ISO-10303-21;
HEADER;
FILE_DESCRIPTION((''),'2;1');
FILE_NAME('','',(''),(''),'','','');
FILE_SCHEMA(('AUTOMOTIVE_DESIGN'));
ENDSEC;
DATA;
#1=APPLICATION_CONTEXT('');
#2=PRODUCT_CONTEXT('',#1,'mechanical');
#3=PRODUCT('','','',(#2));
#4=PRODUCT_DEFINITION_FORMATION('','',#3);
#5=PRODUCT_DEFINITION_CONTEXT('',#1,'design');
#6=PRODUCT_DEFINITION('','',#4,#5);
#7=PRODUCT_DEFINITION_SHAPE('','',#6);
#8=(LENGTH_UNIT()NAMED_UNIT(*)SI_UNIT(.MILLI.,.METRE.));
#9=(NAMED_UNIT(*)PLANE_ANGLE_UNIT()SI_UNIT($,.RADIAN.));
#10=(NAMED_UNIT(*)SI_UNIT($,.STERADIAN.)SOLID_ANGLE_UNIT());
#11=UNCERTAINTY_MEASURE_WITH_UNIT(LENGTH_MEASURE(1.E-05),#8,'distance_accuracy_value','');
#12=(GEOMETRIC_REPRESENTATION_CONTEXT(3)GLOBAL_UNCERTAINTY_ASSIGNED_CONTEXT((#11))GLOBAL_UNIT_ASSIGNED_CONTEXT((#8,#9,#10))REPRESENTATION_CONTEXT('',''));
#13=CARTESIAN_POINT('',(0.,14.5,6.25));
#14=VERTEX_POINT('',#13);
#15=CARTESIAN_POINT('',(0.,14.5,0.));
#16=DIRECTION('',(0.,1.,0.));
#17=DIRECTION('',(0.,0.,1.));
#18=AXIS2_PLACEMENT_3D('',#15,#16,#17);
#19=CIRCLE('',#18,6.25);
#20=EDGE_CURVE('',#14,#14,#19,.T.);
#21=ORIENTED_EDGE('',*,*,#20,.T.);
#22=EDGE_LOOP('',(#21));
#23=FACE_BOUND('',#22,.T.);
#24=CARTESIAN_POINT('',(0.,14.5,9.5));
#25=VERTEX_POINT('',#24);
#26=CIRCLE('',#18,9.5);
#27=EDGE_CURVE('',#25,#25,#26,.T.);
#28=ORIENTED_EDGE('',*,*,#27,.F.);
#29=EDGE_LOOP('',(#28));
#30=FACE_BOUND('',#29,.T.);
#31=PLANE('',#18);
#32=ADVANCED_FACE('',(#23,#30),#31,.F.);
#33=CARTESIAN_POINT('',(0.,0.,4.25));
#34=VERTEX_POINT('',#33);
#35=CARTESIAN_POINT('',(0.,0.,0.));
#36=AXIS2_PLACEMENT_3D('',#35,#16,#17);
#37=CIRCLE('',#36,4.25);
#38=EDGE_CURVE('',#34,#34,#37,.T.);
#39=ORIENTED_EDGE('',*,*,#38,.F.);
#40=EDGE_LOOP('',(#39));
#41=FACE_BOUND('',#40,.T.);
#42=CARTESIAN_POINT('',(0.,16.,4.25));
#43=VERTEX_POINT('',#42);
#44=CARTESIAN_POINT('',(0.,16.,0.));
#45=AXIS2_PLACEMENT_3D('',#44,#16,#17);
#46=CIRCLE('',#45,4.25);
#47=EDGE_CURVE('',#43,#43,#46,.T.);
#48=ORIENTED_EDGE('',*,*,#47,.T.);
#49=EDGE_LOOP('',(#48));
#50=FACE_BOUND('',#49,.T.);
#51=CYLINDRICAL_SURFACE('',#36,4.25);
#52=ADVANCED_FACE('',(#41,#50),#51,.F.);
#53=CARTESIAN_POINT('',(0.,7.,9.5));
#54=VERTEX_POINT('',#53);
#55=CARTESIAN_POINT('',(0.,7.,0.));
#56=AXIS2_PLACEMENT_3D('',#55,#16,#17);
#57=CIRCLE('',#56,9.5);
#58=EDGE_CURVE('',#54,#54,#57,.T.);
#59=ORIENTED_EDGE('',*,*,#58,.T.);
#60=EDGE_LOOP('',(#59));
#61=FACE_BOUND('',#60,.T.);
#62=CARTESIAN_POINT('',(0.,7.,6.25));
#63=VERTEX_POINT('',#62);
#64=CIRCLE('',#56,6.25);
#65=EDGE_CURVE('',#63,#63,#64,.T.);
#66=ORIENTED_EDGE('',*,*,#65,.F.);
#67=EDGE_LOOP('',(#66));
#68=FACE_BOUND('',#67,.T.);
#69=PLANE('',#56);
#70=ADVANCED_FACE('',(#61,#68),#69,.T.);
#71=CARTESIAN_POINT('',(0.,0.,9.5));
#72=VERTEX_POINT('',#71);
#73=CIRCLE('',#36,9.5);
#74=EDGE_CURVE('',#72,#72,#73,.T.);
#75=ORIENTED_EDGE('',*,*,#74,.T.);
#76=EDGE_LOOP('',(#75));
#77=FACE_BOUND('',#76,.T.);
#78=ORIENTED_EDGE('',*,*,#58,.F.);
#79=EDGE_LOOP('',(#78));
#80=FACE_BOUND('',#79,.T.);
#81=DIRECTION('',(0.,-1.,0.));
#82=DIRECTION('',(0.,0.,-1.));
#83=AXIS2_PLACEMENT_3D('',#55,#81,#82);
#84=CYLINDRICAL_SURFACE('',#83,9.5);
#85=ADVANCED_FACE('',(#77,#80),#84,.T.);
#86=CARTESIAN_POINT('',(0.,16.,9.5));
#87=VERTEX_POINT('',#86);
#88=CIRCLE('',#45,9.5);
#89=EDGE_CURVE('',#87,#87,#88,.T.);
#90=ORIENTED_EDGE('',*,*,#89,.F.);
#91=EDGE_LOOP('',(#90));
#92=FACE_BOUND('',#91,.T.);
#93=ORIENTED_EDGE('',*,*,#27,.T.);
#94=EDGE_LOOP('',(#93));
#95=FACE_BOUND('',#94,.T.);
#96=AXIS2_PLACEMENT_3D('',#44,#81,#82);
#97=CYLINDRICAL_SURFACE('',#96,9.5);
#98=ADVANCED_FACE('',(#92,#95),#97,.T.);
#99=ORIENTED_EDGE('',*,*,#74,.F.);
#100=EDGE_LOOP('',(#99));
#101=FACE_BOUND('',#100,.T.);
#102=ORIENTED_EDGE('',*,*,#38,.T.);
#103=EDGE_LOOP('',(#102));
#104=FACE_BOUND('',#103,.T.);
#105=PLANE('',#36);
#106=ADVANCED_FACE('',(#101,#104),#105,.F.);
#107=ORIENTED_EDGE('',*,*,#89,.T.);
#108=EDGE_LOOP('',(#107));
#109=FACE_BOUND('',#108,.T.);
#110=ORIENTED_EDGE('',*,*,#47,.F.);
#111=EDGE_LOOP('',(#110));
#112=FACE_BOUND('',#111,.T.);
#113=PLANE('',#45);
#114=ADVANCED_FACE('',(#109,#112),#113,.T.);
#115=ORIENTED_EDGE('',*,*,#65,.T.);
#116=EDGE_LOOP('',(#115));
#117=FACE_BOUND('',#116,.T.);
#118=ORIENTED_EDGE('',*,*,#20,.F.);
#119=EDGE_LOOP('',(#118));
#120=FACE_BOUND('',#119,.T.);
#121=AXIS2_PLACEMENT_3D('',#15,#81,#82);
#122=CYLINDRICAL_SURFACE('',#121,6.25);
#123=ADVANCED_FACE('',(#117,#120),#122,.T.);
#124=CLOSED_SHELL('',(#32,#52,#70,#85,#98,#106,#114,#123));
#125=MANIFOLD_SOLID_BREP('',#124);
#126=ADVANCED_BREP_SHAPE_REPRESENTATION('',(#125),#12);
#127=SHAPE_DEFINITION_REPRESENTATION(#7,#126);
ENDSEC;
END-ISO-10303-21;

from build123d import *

# Parameters (mm, degrees)
SKETCH1_R           = 9.5
BOSS_EXTRUDE1_DEPTH = 7
SKETCH2_R           = 6.25
BOSS_EXTRUDE2_DEPTH = 7.5
SKETCH3_R           = 9.5
BOSS_EXTRUDE3_DEPTH = 1.5
SKETCH4_R           = 4.25
CUT_EXTRUDE1_DEPTH  = 17


with BuildPart() as part:
    # Sketch1 → Boss-Extrude1 (new body)
    with BuildSketch(Plane(origin=(0, 0, 0), x_dir=(1, 0, 0), z_dir=(0, 1, 0))):
        Circle(SKETCH1_R)
    extrude(amount=BOSS_EXTRUDE1_DEPTH)

    # Sketch2 → Boss-Extrude2 (add)
    with BuildSketch(Plane(origin=(0, 7, 0), x_dir=(1, 0, 0), z_dir=(0, 1, 0))):
        Circle(SKETCH2_R)
    extrude(amount=BOSS_EXTRUDE2_DEPTH)

    # Sketch3 → Boss-Extrude3 (add)
    with BuildSketch(Plane(origin=(0, 14.5, 0), x_dir=(1, 0, 0), z_dir=(0, 1, 0))):
        Circle(SKETCH3_R)
    extrude(amount=BOSS_EXTRUDE3_DEPTH)

    # Sketch4 → Cut-Extrude1 (cut, through all)
    with BuildSketch(Plane(origin=(0, 16, 0), x_dir=(1, 0, 0), z_dir=(0, 1, 0))):
        Circle(SKETCH4_R)
    extrude(amount=-CUT_EXTRUDE1_DEPTH, mode=Mode.SUBTRACT)


solid = part.part
